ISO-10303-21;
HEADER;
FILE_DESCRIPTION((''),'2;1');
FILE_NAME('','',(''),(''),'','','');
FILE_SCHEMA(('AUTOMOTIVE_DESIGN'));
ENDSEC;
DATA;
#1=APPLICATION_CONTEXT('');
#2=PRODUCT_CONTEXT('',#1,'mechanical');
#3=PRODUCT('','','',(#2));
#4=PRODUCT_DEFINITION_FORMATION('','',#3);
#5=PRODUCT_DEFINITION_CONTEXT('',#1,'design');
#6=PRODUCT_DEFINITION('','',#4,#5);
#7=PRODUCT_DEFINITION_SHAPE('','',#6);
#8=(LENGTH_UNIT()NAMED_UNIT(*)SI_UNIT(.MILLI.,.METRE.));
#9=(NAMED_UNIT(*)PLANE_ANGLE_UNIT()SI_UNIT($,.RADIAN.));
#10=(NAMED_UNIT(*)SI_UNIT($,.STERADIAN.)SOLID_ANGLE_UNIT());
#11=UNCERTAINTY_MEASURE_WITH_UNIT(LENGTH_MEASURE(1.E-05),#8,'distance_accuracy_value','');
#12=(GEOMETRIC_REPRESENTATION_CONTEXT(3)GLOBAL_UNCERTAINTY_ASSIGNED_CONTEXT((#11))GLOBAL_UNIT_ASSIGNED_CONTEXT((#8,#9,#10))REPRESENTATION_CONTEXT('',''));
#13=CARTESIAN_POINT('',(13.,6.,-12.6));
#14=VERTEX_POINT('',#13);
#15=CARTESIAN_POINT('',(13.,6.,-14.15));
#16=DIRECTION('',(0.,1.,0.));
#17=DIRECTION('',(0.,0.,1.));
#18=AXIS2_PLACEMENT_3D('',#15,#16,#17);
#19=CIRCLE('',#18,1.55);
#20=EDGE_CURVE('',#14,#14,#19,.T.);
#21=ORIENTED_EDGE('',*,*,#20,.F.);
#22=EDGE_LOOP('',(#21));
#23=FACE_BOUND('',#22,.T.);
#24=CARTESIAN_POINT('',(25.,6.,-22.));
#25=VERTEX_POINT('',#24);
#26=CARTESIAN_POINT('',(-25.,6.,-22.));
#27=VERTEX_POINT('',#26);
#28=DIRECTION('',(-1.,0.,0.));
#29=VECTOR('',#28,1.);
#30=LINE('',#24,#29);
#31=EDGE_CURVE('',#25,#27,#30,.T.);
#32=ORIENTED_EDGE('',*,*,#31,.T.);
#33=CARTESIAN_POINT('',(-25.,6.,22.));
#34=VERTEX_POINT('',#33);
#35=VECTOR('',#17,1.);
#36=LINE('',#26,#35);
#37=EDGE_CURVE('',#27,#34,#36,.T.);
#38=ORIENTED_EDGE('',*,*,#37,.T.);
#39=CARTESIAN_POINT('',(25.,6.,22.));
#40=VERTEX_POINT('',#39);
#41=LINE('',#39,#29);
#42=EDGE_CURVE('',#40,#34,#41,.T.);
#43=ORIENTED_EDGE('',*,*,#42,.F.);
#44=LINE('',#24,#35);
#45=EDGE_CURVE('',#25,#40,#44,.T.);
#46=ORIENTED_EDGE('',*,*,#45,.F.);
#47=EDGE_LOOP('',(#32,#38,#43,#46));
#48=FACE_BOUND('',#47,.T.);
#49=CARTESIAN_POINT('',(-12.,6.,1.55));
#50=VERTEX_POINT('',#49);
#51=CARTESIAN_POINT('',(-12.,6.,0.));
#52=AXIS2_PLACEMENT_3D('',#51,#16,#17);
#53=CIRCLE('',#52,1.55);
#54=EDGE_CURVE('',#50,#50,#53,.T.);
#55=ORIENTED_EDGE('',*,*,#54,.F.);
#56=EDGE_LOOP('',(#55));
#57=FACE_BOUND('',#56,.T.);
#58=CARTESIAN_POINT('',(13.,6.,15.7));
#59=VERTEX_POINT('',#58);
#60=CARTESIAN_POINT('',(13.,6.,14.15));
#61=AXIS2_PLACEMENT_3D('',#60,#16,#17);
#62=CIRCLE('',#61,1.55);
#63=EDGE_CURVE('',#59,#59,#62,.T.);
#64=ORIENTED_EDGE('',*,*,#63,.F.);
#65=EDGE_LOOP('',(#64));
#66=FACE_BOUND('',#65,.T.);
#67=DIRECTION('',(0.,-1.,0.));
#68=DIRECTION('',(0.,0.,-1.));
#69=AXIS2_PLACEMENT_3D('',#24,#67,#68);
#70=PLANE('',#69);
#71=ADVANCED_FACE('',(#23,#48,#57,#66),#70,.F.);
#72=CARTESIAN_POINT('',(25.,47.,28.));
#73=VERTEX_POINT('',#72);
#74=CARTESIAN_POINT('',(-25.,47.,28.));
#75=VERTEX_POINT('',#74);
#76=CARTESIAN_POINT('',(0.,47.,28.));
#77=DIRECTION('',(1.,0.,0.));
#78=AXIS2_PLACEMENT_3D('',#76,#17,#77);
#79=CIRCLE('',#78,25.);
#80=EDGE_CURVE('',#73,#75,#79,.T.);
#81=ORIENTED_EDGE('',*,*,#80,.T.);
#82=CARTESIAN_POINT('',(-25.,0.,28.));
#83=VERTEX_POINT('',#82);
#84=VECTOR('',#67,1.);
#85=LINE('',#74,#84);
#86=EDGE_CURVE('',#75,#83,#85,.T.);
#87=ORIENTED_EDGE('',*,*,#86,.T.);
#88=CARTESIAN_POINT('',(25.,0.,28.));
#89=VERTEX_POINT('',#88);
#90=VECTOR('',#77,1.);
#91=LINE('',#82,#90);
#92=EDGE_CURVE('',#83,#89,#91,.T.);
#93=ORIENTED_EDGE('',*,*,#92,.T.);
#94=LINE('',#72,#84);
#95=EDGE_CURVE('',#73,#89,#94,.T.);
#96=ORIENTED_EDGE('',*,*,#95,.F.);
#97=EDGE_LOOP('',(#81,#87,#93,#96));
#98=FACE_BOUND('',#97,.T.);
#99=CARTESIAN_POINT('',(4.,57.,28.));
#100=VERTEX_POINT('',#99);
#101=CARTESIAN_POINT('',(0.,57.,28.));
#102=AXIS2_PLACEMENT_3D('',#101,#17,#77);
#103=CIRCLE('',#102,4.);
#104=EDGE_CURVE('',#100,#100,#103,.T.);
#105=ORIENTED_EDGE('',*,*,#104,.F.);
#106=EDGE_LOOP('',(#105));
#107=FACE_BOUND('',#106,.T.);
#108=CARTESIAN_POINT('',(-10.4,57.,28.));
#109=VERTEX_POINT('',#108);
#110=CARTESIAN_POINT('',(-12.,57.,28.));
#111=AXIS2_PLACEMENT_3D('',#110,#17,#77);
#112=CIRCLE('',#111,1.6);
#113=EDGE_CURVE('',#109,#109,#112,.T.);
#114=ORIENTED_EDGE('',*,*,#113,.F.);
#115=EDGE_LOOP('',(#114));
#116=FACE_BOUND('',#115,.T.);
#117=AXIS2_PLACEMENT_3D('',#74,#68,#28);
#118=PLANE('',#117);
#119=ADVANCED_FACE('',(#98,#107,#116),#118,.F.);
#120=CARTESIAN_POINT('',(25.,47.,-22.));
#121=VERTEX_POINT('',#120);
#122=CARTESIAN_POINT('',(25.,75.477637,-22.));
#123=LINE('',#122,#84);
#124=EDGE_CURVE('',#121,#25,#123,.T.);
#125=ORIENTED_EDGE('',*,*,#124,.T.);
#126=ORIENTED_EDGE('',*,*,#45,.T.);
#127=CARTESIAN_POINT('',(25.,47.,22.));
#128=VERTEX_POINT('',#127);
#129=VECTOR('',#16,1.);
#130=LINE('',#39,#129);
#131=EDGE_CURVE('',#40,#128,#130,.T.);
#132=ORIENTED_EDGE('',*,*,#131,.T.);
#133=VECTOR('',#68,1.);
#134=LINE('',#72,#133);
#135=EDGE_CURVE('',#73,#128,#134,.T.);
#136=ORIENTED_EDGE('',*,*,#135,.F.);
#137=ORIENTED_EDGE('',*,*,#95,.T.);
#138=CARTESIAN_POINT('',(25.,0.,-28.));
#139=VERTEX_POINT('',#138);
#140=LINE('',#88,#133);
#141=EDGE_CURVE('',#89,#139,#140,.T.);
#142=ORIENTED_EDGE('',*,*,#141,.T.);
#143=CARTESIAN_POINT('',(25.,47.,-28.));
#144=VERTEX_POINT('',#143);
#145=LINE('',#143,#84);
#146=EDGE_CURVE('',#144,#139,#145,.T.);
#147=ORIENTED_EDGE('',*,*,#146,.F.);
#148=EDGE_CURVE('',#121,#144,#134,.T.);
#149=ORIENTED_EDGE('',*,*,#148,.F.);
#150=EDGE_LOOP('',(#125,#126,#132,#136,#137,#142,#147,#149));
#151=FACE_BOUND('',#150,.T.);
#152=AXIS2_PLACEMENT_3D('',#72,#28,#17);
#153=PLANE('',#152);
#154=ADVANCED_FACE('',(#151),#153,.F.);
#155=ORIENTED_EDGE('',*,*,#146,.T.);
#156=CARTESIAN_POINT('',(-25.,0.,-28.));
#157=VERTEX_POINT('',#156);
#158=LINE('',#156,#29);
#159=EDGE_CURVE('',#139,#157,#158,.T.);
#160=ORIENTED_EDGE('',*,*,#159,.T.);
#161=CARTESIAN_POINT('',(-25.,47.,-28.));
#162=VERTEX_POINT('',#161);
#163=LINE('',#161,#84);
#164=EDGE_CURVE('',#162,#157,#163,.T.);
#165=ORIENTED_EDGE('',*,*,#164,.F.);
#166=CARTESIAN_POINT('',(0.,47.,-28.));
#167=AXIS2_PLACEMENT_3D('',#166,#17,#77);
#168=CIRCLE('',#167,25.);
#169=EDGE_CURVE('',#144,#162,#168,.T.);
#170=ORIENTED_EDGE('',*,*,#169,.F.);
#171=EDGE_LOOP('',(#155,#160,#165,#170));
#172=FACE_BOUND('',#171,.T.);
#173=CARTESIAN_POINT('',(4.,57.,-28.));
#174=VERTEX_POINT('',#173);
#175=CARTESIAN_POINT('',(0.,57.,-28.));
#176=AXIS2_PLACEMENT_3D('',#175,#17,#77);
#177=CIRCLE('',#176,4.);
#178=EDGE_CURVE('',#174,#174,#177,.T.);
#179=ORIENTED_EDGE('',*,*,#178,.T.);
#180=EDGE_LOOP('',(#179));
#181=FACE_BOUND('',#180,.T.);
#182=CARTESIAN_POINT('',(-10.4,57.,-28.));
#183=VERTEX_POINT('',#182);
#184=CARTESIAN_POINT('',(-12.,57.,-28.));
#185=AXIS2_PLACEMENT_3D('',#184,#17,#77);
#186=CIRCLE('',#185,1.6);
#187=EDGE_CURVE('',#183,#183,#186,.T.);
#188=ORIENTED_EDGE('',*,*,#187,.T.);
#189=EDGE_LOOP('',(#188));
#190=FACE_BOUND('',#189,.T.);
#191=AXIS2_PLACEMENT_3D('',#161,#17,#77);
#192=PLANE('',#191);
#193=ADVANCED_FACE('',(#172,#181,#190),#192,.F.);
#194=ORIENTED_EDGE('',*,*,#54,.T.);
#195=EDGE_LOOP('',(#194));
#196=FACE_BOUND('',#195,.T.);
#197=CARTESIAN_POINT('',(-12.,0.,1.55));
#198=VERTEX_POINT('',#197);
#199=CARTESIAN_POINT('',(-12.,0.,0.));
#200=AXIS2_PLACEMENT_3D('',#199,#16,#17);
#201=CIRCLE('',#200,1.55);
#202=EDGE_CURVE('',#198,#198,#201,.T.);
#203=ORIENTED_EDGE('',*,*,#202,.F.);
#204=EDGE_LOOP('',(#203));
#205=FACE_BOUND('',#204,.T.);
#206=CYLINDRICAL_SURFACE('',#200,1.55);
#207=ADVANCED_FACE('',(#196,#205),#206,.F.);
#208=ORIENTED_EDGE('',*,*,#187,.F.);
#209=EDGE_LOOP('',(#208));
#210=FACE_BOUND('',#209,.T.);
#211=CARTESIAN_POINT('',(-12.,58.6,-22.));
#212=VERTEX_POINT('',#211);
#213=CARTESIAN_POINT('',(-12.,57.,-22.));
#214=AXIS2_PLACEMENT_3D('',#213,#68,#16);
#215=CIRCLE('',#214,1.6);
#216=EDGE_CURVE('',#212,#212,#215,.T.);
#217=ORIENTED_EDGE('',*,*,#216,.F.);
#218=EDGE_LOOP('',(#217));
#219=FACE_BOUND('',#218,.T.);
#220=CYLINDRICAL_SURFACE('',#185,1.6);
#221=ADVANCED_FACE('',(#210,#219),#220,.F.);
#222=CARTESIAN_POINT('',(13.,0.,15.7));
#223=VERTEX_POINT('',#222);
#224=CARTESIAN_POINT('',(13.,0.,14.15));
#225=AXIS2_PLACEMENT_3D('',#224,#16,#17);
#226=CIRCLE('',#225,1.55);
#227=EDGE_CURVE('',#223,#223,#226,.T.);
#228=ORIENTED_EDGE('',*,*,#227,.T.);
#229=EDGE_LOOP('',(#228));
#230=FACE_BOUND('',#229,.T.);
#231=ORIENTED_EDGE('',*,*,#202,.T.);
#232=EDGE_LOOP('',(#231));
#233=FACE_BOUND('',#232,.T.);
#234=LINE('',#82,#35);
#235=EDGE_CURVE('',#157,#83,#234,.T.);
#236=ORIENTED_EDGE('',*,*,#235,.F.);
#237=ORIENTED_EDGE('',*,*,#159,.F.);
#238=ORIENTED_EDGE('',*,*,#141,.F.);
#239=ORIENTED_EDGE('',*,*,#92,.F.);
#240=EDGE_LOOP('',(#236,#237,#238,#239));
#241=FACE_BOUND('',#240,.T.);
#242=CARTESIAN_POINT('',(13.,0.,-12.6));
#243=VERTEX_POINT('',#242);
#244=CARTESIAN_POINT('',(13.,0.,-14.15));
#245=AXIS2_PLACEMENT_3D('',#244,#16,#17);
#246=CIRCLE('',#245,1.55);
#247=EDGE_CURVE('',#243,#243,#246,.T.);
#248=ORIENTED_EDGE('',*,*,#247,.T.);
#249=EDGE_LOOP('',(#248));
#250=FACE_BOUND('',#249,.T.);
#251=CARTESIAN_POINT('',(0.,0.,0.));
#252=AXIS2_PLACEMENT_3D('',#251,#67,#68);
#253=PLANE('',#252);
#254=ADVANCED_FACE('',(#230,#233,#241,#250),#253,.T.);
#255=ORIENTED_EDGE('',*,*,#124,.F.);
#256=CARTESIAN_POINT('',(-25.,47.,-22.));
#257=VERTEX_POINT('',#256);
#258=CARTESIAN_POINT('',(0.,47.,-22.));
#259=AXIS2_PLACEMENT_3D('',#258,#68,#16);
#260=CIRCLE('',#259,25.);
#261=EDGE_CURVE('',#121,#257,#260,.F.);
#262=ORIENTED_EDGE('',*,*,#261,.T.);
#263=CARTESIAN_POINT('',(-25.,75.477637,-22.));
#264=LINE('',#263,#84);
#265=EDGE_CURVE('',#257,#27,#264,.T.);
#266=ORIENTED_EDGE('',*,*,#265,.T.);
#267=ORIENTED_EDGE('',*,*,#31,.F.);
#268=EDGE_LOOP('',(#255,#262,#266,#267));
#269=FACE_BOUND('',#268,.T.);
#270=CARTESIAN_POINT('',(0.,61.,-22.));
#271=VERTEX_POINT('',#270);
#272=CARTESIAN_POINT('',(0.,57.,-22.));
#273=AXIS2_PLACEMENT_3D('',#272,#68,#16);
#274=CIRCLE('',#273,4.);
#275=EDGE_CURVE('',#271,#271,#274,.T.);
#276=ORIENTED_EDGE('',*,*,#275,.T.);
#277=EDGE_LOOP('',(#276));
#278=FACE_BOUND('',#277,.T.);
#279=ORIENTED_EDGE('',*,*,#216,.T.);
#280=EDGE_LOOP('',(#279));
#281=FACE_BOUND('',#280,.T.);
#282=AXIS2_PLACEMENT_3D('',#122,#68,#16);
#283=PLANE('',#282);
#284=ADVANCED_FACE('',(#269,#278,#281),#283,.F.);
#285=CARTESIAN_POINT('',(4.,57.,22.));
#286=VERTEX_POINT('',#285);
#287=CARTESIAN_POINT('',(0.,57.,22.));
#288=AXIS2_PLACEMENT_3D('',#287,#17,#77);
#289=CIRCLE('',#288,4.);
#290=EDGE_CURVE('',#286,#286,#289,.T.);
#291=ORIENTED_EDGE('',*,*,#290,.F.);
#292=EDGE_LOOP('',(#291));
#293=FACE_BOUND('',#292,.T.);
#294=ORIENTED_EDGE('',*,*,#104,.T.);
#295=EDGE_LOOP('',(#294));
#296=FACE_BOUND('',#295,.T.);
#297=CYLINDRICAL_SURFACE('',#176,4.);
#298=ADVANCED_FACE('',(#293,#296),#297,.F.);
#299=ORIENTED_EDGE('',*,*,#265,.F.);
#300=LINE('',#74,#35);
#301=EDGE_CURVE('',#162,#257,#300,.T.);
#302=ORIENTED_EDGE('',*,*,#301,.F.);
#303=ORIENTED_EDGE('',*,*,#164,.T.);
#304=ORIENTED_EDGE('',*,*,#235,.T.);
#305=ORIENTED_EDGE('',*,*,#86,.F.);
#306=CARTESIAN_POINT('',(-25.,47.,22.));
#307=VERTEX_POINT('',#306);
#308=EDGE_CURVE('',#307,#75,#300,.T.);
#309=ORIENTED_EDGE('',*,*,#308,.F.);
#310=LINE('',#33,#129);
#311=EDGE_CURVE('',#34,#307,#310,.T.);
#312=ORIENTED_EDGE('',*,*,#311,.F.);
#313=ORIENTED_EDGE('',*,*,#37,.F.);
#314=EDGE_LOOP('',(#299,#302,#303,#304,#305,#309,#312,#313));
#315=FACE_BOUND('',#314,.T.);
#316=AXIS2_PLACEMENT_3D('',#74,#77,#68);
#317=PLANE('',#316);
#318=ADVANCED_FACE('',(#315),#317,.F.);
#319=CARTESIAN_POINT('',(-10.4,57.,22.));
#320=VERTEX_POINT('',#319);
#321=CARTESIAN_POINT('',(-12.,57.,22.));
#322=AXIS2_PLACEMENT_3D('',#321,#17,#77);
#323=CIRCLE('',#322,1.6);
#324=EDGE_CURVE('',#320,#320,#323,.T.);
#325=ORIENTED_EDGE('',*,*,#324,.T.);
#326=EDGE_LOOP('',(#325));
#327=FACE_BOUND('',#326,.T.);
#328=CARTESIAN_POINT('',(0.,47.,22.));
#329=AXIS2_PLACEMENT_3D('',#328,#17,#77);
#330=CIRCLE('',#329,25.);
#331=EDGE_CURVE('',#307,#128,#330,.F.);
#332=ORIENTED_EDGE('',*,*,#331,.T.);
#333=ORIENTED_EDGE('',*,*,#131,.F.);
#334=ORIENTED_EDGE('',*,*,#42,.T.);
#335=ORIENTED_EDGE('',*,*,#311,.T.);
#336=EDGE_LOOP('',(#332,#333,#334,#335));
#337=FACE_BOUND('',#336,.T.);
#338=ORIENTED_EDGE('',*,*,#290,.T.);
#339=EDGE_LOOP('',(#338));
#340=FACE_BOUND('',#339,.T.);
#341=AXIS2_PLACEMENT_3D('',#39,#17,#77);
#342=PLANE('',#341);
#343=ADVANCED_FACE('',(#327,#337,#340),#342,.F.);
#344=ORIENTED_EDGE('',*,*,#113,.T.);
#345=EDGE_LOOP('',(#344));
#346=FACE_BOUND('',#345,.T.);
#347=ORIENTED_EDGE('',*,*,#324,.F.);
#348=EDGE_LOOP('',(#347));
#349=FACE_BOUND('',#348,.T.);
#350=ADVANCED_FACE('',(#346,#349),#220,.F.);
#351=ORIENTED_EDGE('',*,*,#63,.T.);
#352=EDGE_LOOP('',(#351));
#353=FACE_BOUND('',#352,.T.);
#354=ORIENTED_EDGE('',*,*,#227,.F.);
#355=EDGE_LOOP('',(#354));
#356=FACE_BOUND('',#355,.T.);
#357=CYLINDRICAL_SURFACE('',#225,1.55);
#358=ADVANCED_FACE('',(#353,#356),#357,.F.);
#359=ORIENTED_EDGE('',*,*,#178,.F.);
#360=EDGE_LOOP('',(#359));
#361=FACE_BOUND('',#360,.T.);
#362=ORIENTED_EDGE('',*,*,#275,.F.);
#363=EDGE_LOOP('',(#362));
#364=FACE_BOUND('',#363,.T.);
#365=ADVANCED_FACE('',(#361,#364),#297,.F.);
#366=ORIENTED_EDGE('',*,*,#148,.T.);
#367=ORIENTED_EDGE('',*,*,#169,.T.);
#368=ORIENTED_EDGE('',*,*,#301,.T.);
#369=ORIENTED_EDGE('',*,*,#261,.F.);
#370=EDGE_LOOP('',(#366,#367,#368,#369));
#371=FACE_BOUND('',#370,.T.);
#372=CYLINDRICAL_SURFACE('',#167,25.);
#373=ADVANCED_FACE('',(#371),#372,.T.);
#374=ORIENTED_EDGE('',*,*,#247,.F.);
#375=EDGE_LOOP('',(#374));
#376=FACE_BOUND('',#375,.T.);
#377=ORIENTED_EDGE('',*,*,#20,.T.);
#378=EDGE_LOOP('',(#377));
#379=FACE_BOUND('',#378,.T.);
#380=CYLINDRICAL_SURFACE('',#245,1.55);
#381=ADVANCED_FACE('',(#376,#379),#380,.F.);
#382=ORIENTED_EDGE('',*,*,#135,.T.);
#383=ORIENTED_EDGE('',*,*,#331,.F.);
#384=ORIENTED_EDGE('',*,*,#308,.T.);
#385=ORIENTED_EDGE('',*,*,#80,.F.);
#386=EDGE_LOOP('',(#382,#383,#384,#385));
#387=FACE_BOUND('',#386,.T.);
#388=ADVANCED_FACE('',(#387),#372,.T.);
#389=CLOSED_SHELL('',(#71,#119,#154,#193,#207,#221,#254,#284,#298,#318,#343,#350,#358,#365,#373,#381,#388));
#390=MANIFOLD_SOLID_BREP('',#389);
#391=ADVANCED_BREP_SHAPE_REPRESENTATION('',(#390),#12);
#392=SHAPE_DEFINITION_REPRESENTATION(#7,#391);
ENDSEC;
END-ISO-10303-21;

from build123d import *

# Parameters (mm, degrees)
CROQUIS1_W              = 50
CROQUIS1_H              = 56
SALIENTE_EXTRUIR1_DEPTH = 47
SALIENTE_EXTRUIR2_DEPTH = 56
CROQUIS3_W              = 44
CROQUIS3_H              = 69.477636763
CORTAR_EXTRUIR1_DEPTH   = 93.021736563
CROQUIS4_R              = 4
CROQUIS4_R_2            = 1.6
CORTAR_EXTRUIR2_DEPTH   = 95.578010129
CROQUIS5_R              = 1.55
CORTAR_EXTRUIR3_DEPTH   = 76.927597091


with BuildPart() as part:
    # Croquis1 → Saliente-Extruir1 (new body)
    with BuildSketch(Plane(origin=(0, 0, 0), x_dir=(1, 0, 0), z_dir=(0, 1, 0))):
        Rectangle(CROQUIS1_W, CROQUIS1_H)
    extrude(amount=SALIENTE_EXTRUIR1_DEPTH)

    # Croquis2 → Saliente-Extruir2 (add)
    with BuildSketch(Plane.XY.offset(28)):
        with BuildLine():
            Line((-25, 47), (25, 47))
            ThreePointArc((25, 47), (0, 72), (-25, 47))
        make_face()
    extrude(amount=-SALIENTE_EXTRUIR2_DEPTH)

    # Croquis3 → Cortar-Extruir1 (cut, through all)
    with BuildSketch(Plane.ZY.offset(25)):
        with Locations((0, 40.738818382)):
            Rectangle(CROQUIS3_W, CROQUIS3_H)
    extrude(amount=-CORTAR_EXTRUIR1_DEPTH, mode=Mode.SUBTRACT)

    # Croquis4 → Cortar-Extruir2 (cut, through all)
    with BuildSketch(Plane.XY.offset(28)):
        with Locations((0, 57)):
            Circle(CROQUIS4_R)
        with Locations((-12, 57)):
            Circle(CROQUIS4_R_2)
    extrude(amount=-CORTAR_EXTRUIR2_DEPTH, mode=Mode.SUBTRACT)

    # Croquis5 → Cortar-Extruir3 (cut, through all)
    with BuildSketch(Plane(origin=(0, 6, 0), x_dir=(1, 0, 0), z_dir=(0, 1, 0))):
        with Locations(Location((13, -14.15, 0), (0, 0, 270))):
            Circle(CROQUIS5_R)
        with Locations(Location((13, 14.15, 0), (0, 0, 270))):
            Circle(CROQUIS5_R)
        with Locations(Location((-12, 0, 0), (0, 0, 270))):
            Circle(CROQUIS5_R)
    extrude(amount=-CORTAR_EXTRUIR3_DEPTH, mode=Mode.SUBTRACT)


solid = part.part
